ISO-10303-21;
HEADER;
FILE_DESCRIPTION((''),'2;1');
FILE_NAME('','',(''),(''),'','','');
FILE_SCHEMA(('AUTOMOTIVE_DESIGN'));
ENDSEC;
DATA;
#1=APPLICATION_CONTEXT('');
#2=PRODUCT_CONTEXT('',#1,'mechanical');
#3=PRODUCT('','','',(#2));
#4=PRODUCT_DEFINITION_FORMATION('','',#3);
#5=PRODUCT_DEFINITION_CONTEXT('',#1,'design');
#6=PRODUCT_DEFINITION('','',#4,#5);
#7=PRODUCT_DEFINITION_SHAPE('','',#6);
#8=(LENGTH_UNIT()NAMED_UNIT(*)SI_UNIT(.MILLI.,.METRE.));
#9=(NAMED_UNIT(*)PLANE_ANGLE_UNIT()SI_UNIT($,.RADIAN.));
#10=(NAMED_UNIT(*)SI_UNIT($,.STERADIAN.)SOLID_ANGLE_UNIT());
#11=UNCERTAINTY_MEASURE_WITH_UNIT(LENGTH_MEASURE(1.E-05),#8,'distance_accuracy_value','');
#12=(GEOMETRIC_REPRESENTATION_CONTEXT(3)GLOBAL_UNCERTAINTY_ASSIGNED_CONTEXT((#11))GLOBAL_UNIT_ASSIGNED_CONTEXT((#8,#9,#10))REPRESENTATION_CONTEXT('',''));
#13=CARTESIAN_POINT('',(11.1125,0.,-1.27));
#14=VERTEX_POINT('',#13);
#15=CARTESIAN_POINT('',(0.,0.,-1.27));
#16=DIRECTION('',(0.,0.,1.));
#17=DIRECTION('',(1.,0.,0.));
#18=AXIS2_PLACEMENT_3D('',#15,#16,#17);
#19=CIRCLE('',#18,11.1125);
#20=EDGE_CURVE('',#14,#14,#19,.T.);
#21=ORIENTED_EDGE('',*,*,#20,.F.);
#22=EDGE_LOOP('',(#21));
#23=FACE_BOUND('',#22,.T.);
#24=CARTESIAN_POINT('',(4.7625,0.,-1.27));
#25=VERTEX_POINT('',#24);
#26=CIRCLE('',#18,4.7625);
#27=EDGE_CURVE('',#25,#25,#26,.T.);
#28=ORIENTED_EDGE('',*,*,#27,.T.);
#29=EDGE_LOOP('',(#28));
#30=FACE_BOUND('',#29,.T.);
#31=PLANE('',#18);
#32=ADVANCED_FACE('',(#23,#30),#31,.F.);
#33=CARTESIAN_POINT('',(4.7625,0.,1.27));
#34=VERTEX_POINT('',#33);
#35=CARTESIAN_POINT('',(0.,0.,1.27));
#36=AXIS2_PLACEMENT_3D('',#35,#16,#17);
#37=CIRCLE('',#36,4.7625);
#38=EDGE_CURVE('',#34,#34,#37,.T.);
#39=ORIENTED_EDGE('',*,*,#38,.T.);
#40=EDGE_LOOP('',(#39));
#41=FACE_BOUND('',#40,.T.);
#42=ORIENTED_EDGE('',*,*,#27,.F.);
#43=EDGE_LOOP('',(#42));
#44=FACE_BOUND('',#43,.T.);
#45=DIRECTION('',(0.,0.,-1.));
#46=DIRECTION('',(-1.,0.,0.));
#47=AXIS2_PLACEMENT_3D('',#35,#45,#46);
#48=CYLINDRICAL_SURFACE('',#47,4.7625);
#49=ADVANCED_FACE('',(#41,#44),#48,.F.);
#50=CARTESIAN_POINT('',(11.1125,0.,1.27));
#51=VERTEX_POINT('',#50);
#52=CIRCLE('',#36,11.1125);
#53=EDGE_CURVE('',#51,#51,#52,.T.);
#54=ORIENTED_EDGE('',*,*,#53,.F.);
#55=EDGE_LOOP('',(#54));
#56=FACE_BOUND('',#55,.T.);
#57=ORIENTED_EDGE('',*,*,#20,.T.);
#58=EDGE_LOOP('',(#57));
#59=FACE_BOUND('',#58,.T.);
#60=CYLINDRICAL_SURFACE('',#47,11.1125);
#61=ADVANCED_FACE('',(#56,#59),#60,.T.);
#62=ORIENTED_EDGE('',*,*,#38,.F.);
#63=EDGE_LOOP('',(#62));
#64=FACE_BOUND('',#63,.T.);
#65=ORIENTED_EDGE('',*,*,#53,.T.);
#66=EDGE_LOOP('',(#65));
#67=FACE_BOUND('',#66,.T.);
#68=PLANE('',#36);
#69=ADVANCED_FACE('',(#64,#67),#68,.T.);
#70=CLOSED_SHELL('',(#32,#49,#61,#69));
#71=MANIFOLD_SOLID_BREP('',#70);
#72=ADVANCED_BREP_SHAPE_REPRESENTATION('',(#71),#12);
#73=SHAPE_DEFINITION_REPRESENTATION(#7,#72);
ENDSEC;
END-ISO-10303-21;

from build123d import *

# Parameters (mm, degrees)
SKETCH2_R           = 11.1125
SKETCH2_R_2         = 4.7625
BOSS_EXTRUDE1_DEPTH = 1.27


with BuildPart() as part:
    # Sketch2 → Boss-Extrude1 (new, symmetric)
    with BuildSketch(Plane.XY):
        Circle(SKETCH2_R)
        Circle(SKETCH2_R_2, mode=Mode.SUBTRACT)
    extrude(amount=BOSS_EXTRUDE1_DEPTH, both=True)


solid = part.part
